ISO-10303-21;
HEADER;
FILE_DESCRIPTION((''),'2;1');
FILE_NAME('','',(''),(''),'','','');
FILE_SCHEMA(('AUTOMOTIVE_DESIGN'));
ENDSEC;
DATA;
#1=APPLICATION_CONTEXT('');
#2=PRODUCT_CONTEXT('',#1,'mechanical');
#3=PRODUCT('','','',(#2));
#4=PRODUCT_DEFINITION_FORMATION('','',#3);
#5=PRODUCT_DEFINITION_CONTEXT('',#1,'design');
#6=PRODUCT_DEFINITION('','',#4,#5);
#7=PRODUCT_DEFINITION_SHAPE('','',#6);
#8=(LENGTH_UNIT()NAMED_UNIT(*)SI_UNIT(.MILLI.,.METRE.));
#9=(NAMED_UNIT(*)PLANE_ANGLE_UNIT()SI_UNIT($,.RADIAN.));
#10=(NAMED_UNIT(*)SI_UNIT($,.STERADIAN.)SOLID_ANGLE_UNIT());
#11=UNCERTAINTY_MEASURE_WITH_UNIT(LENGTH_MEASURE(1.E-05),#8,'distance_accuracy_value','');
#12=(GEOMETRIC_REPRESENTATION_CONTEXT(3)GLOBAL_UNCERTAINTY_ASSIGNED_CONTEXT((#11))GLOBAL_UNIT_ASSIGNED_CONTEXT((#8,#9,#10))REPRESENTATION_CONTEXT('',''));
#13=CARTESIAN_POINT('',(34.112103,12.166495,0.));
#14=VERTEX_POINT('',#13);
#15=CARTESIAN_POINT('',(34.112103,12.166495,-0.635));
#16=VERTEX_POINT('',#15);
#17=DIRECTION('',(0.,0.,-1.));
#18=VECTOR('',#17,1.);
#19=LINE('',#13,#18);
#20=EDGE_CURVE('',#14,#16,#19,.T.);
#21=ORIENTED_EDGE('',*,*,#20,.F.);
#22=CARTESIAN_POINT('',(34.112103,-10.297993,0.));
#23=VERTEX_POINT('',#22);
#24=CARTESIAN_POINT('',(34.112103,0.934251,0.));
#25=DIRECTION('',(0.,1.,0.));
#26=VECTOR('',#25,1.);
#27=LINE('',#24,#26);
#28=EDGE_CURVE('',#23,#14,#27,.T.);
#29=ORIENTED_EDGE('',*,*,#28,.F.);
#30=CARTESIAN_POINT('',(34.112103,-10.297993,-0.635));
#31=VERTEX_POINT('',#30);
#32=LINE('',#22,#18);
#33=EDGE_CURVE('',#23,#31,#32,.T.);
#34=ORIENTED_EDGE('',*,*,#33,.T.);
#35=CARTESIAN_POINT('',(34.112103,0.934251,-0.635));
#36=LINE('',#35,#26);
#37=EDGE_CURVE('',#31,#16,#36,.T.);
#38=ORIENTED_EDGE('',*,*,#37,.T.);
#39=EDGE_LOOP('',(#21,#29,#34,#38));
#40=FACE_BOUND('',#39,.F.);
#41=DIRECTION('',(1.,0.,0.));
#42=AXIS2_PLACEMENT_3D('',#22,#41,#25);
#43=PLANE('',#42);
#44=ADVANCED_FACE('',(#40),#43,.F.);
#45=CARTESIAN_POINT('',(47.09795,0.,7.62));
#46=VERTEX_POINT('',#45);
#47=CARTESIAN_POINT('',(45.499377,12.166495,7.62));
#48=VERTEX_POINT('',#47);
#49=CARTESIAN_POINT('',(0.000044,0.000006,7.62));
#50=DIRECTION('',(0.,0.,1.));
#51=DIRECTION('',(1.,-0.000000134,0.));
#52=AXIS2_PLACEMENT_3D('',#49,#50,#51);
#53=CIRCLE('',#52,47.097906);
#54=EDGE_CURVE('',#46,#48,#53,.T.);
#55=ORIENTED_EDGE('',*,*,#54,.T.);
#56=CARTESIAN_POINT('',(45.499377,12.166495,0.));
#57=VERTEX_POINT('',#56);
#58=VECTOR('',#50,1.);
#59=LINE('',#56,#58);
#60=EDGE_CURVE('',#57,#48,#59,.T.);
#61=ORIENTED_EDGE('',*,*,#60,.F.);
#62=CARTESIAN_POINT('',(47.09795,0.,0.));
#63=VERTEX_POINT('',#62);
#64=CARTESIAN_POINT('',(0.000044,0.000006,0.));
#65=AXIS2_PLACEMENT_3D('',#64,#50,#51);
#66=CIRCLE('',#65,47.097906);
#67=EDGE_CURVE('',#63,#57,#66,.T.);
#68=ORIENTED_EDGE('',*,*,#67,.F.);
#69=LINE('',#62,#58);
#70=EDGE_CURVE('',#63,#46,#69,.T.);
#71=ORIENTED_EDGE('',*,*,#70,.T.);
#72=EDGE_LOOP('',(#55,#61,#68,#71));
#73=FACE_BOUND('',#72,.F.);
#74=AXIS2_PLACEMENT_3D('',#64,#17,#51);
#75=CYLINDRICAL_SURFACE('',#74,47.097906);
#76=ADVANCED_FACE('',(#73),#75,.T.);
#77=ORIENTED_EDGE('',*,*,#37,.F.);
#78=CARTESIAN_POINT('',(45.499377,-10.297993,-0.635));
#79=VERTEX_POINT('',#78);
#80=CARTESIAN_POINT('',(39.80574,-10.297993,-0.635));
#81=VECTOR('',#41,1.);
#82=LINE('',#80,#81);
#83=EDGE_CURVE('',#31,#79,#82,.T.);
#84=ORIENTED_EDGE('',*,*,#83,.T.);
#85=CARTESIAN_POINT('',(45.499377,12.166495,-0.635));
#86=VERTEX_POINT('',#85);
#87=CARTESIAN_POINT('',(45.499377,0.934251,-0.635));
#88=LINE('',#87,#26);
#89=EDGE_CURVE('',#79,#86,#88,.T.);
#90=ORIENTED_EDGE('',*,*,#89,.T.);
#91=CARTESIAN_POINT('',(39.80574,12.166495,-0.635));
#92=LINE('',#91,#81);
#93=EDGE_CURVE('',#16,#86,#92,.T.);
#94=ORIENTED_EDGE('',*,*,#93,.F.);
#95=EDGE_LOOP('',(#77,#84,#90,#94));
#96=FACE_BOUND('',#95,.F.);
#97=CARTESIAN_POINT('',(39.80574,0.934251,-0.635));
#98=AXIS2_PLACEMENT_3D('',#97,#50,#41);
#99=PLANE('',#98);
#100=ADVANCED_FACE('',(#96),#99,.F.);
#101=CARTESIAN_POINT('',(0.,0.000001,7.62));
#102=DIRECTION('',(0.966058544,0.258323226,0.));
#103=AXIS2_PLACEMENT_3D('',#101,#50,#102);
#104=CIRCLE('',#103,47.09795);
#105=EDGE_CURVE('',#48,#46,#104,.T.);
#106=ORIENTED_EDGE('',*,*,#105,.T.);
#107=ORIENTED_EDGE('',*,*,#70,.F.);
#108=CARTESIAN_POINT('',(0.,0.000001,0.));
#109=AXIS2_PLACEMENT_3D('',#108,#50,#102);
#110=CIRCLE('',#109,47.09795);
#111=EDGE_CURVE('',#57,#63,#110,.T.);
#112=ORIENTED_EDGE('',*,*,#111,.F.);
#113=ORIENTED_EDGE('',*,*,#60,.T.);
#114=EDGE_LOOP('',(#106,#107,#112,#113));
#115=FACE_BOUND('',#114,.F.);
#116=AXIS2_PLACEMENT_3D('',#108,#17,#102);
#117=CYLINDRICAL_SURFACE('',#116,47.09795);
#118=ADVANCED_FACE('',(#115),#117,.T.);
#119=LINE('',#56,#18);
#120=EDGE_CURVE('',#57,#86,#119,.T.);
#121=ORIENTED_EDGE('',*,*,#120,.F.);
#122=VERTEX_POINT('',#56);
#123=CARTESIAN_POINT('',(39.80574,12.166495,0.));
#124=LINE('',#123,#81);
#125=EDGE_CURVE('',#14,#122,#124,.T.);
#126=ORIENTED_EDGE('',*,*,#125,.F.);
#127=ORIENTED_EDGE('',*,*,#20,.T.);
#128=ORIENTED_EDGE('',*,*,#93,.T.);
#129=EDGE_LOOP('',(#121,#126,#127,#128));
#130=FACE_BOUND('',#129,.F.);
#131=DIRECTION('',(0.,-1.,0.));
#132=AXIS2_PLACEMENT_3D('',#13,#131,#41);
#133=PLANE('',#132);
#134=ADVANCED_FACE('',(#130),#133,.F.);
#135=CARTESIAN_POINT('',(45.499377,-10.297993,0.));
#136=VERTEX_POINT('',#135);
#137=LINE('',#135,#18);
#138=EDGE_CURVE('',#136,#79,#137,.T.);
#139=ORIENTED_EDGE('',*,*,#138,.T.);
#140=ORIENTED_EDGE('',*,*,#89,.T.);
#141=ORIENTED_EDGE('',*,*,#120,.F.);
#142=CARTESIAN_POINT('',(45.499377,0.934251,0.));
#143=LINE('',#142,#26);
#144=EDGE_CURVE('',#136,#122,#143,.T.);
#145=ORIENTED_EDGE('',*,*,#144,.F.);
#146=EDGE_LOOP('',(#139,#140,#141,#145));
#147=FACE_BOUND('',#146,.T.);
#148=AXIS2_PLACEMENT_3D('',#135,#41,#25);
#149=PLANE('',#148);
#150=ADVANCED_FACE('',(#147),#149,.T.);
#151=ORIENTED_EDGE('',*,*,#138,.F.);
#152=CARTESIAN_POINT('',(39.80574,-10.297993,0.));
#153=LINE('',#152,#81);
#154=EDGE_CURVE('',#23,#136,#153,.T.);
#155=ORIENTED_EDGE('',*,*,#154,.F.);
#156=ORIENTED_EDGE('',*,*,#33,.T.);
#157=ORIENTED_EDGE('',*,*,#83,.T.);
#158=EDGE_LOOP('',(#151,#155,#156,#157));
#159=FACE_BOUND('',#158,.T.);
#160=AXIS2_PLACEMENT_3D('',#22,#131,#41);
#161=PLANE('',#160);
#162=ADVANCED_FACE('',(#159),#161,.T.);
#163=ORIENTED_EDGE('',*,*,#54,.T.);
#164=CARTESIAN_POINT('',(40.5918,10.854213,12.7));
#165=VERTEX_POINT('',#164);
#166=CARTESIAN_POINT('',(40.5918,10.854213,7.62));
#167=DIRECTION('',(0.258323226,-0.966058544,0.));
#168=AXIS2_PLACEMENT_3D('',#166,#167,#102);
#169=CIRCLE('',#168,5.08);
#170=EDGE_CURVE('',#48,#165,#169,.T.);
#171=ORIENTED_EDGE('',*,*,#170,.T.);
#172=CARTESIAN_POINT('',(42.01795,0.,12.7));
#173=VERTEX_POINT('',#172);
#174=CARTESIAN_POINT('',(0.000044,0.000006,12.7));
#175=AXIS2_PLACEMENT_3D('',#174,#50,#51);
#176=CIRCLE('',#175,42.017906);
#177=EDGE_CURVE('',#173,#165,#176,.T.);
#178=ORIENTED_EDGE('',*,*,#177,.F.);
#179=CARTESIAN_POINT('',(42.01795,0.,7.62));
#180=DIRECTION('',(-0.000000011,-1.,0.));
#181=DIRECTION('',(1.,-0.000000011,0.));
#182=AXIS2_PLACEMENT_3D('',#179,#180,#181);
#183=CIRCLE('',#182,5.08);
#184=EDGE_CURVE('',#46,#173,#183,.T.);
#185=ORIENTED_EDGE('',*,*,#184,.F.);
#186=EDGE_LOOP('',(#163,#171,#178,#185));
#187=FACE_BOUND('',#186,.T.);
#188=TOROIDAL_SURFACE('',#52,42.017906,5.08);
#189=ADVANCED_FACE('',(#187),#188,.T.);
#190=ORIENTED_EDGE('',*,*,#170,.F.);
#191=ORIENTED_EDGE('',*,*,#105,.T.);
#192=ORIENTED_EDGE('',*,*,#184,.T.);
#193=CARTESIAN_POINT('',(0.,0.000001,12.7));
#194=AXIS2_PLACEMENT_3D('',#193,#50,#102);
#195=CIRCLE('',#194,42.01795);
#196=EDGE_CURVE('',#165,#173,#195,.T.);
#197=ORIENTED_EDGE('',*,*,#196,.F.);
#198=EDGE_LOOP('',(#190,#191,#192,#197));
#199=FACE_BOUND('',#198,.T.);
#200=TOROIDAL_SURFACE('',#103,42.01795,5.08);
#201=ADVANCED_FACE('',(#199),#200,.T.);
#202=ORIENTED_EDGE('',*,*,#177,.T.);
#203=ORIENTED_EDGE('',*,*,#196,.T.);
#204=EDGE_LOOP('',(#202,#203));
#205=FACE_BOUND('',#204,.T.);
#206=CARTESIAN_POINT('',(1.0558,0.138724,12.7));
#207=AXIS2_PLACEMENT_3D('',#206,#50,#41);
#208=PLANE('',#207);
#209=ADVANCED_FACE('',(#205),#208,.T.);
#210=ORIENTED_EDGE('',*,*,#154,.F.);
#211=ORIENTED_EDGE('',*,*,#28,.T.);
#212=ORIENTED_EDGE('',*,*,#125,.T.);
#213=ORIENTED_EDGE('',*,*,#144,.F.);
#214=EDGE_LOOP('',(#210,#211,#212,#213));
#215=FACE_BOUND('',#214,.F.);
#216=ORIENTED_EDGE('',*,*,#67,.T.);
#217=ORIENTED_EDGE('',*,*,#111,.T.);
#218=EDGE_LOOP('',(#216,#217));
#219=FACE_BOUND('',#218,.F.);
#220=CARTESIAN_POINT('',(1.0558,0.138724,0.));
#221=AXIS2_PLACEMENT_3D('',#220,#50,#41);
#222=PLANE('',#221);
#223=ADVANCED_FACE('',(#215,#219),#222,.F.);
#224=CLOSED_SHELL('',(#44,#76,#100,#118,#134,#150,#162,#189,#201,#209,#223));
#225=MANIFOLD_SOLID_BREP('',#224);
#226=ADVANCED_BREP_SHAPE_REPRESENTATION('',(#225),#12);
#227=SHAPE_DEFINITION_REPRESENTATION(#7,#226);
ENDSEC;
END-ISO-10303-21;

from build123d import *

# Parameters (mm, degrees)
F0_W     = 11.387274
F0_H     = 22.464488
F1_DEPTH = 12.7
F2_R     = 5.08
F3_DEPTH = 0.635


with BuildPart() as f1:
    # F0 (on Top) → F1 (new body)
    with BuildSketch(Plane.XY):
        with BuildLine():
            ThreePointArc((45.499377, 12.166495), (-46.696597, -6.135533), (47.09795, 0))
            ThreePointArc((47.09795, 0), (46.696597, 6.135533), (45.499377, 12.166495))
        make_face()
        with Locations((39.80574, 0.934251)):
            Rectangle(F0_W, F0_H, mode=Mode.SUBTRACT)
        with Locations((39.80574, 0.934251)):
            Rectangle(F0_W, F0_H)
    extrude(amount=F1_DEPTH)

    # F2
    f2_edges = [f1.edges().sort_by_distance(p)[0] for p in [
        (-47.09795, 0, 12.7),
    ]]
    fillet(f2_edges, radius=F2_R)

    # F0 (on Top) → F3 (join)
    with BuildSketch(Plane.XY):
        with Locations((39.80574, 0.934251)):
            Rectangle(F0_W, F0_H)
    extrude(amount=-F3_DEPTH)


solid = f1.part
